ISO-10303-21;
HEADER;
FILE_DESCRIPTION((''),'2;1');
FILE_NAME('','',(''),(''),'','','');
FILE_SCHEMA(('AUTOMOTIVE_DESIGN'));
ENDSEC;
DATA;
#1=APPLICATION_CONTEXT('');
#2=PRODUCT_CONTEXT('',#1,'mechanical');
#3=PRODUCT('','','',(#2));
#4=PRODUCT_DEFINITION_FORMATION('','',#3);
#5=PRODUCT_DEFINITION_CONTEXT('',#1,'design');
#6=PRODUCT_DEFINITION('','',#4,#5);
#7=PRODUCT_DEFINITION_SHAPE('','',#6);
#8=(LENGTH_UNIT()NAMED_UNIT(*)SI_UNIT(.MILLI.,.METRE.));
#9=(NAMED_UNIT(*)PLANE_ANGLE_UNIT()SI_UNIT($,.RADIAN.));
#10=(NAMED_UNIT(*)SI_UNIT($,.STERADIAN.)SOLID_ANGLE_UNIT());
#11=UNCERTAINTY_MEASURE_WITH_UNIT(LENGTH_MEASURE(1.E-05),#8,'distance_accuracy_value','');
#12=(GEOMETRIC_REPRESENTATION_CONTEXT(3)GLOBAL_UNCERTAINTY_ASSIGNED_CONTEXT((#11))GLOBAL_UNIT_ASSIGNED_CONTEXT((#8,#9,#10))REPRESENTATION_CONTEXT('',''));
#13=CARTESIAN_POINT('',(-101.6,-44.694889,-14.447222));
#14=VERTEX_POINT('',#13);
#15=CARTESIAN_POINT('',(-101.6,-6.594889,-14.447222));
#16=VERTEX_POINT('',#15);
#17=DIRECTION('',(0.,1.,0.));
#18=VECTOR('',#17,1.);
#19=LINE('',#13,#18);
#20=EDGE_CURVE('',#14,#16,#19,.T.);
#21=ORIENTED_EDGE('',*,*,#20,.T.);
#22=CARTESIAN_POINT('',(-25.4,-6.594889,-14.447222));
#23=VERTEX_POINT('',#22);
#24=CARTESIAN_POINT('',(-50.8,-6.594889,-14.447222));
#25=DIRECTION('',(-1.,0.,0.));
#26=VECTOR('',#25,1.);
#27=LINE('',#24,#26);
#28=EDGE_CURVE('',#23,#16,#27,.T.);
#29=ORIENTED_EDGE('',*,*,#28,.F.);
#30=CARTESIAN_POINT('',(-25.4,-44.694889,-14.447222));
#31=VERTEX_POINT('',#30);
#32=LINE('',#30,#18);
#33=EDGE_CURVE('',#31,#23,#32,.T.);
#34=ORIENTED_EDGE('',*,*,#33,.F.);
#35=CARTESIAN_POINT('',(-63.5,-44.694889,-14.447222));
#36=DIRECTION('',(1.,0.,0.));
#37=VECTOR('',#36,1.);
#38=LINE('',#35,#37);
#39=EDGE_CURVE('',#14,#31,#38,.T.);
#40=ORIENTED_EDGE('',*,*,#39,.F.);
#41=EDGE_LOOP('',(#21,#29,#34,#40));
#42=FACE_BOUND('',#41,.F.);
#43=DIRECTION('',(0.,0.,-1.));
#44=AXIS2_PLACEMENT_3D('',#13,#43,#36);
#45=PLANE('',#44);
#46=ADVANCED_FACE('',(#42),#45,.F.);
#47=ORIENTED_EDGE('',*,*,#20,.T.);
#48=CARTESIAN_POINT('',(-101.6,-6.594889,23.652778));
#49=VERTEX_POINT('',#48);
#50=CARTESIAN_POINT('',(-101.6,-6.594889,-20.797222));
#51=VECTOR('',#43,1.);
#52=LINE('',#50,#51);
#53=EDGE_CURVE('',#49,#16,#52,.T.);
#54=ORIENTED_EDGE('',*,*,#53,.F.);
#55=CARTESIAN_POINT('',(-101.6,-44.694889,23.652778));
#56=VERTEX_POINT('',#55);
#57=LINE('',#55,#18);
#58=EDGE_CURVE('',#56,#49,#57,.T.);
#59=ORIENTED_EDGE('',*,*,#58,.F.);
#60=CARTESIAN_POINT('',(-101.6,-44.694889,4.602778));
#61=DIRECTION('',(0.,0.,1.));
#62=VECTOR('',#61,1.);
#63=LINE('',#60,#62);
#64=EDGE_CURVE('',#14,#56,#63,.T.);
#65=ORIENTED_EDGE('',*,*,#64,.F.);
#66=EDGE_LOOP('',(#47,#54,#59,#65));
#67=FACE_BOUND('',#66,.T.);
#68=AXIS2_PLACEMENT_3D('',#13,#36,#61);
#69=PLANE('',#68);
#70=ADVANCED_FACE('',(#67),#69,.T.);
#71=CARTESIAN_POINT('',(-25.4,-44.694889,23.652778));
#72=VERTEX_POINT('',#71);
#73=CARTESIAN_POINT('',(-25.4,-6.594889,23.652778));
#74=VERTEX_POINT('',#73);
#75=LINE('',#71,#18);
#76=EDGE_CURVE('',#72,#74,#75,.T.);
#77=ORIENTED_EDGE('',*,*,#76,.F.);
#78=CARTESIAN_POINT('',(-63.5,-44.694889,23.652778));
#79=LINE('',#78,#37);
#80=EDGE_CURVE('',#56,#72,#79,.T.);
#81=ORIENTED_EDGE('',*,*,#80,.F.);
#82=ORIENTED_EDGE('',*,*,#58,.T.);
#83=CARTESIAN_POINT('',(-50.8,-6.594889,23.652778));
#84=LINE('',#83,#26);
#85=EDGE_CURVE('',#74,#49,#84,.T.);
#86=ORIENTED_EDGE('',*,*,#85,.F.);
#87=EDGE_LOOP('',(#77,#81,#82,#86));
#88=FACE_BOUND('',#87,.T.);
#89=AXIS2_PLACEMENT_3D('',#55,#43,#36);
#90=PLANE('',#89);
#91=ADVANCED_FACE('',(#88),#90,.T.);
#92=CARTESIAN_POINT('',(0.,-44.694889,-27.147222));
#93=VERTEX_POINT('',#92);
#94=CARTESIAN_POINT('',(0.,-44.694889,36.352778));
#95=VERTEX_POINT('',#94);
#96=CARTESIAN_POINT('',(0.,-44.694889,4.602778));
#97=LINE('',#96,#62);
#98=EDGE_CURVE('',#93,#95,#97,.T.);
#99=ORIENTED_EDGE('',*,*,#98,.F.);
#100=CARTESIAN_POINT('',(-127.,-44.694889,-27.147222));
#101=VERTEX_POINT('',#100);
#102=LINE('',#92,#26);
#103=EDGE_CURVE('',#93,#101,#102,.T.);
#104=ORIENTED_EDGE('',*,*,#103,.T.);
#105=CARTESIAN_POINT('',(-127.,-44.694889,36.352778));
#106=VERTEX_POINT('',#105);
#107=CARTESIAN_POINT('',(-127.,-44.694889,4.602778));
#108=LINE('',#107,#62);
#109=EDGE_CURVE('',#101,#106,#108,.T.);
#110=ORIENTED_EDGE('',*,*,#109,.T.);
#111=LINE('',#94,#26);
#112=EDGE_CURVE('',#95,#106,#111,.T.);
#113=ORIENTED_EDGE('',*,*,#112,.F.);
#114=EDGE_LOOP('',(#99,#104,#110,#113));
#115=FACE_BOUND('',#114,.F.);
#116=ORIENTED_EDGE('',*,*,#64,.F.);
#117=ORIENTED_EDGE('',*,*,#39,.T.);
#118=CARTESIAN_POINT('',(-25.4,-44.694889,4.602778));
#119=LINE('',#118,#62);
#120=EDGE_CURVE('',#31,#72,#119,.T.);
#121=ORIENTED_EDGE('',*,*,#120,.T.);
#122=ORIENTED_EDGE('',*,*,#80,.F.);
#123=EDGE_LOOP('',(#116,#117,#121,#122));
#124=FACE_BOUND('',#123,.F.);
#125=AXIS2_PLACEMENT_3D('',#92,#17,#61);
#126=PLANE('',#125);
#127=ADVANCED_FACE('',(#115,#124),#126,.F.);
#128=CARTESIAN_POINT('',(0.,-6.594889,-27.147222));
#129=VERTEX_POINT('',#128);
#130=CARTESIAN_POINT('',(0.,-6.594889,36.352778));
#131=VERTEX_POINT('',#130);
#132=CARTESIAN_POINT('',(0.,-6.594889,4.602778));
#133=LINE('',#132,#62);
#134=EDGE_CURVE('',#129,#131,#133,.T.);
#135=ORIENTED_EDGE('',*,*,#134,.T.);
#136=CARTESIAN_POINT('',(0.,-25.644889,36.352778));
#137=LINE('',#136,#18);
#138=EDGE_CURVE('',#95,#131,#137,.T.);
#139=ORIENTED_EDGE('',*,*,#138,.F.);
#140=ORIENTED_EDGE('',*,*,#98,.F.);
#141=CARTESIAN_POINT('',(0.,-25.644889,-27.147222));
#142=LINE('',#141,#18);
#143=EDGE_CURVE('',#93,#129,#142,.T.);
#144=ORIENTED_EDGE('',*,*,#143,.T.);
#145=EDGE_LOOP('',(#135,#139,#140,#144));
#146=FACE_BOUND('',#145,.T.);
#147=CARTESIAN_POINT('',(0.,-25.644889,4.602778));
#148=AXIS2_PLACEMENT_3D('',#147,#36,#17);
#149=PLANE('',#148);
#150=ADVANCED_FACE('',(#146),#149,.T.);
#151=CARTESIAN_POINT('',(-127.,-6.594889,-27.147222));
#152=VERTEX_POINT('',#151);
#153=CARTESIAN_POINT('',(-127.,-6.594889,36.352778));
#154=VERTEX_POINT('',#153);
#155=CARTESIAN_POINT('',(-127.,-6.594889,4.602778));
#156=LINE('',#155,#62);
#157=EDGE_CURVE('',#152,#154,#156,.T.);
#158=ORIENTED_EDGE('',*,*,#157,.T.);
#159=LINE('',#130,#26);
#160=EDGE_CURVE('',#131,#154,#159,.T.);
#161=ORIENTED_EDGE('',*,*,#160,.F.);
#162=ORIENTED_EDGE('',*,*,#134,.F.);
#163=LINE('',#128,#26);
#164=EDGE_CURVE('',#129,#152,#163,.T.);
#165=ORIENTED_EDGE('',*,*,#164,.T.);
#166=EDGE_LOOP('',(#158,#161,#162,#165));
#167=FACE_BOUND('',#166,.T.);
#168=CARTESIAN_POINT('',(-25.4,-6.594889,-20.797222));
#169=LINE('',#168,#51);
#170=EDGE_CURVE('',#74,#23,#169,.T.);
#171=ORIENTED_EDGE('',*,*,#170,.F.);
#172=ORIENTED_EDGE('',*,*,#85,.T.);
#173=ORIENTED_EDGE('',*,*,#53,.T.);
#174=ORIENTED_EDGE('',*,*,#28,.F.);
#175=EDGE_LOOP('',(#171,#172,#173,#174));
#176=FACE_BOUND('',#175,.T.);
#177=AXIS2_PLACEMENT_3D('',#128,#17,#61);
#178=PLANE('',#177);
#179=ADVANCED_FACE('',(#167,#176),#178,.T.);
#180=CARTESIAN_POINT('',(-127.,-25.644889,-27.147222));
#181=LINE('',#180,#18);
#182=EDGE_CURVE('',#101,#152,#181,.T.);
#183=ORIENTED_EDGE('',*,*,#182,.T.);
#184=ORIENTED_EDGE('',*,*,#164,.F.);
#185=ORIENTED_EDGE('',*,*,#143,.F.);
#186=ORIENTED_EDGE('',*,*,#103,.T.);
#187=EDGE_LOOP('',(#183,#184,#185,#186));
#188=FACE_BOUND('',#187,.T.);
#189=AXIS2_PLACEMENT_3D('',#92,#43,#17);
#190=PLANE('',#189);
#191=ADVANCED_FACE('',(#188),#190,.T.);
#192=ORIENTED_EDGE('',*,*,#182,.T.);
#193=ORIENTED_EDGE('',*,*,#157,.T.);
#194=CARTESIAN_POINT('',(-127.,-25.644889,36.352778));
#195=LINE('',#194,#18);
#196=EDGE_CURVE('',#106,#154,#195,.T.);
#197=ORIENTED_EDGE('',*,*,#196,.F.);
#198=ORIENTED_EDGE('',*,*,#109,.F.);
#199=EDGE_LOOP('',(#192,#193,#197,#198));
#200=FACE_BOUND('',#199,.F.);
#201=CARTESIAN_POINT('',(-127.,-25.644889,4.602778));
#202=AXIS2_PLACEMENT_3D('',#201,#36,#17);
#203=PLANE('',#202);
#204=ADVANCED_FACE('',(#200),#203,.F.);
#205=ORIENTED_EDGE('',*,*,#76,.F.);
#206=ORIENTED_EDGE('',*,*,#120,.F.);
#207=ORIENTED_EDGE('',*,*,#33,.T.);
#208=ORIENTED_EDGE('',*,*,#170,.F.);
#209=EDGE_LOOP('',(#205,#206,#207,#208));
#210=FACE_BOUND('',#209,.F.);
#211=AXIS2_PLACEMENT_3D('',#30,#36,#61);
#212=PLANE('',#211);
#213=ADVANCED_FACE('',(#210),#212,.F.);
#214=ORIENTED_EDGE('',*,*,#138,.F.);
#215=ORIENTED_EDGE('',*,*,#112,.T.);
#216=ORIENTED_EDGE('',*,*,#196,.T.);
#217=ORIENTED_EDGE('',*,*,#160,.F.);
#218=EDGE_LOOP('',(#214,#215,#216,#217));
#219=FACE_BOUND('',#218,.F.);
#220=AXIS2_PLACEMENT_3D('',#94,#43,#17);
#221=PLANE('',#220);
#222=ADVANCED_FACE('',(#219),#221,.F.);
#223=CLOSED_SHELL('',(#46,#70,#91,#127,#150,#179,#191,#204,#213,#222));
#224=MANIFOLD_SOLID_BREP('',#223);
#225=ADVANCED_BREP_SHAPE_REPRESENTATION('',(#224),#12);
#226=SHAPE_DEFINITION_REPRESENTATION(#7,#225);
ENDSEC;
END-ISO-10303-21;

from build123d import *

# Parameters (mm, degrees)
F0_W     = 38.1
F0_H     = 63.5
F1_DEPTH = 127
F2_W     = 76.2
F2_H     = 38.1
F3_DEPTH = 38.101


with BuildPart() as f1:
    # F0 (on Right) → F1 (new body)
    with BuildSketch(Plane.YZ):
        with Locations((-25.644889, 4.602778)):
            Rectangle(F0_W, F0_H)
    extrude(amount=-F1_DEPTH)

    # F2 (on face) → F3 (cut, through all)
    with BuildSketch(Plane.XZ.offset(44.694889)):
        with Locations((-63.5, 4.602778)):
            Rectangle(F2_W, F2_H)
    extrude(amount=-F3_DEPTH, mode=Mode.SUBTRACT)


solid = f1.part
